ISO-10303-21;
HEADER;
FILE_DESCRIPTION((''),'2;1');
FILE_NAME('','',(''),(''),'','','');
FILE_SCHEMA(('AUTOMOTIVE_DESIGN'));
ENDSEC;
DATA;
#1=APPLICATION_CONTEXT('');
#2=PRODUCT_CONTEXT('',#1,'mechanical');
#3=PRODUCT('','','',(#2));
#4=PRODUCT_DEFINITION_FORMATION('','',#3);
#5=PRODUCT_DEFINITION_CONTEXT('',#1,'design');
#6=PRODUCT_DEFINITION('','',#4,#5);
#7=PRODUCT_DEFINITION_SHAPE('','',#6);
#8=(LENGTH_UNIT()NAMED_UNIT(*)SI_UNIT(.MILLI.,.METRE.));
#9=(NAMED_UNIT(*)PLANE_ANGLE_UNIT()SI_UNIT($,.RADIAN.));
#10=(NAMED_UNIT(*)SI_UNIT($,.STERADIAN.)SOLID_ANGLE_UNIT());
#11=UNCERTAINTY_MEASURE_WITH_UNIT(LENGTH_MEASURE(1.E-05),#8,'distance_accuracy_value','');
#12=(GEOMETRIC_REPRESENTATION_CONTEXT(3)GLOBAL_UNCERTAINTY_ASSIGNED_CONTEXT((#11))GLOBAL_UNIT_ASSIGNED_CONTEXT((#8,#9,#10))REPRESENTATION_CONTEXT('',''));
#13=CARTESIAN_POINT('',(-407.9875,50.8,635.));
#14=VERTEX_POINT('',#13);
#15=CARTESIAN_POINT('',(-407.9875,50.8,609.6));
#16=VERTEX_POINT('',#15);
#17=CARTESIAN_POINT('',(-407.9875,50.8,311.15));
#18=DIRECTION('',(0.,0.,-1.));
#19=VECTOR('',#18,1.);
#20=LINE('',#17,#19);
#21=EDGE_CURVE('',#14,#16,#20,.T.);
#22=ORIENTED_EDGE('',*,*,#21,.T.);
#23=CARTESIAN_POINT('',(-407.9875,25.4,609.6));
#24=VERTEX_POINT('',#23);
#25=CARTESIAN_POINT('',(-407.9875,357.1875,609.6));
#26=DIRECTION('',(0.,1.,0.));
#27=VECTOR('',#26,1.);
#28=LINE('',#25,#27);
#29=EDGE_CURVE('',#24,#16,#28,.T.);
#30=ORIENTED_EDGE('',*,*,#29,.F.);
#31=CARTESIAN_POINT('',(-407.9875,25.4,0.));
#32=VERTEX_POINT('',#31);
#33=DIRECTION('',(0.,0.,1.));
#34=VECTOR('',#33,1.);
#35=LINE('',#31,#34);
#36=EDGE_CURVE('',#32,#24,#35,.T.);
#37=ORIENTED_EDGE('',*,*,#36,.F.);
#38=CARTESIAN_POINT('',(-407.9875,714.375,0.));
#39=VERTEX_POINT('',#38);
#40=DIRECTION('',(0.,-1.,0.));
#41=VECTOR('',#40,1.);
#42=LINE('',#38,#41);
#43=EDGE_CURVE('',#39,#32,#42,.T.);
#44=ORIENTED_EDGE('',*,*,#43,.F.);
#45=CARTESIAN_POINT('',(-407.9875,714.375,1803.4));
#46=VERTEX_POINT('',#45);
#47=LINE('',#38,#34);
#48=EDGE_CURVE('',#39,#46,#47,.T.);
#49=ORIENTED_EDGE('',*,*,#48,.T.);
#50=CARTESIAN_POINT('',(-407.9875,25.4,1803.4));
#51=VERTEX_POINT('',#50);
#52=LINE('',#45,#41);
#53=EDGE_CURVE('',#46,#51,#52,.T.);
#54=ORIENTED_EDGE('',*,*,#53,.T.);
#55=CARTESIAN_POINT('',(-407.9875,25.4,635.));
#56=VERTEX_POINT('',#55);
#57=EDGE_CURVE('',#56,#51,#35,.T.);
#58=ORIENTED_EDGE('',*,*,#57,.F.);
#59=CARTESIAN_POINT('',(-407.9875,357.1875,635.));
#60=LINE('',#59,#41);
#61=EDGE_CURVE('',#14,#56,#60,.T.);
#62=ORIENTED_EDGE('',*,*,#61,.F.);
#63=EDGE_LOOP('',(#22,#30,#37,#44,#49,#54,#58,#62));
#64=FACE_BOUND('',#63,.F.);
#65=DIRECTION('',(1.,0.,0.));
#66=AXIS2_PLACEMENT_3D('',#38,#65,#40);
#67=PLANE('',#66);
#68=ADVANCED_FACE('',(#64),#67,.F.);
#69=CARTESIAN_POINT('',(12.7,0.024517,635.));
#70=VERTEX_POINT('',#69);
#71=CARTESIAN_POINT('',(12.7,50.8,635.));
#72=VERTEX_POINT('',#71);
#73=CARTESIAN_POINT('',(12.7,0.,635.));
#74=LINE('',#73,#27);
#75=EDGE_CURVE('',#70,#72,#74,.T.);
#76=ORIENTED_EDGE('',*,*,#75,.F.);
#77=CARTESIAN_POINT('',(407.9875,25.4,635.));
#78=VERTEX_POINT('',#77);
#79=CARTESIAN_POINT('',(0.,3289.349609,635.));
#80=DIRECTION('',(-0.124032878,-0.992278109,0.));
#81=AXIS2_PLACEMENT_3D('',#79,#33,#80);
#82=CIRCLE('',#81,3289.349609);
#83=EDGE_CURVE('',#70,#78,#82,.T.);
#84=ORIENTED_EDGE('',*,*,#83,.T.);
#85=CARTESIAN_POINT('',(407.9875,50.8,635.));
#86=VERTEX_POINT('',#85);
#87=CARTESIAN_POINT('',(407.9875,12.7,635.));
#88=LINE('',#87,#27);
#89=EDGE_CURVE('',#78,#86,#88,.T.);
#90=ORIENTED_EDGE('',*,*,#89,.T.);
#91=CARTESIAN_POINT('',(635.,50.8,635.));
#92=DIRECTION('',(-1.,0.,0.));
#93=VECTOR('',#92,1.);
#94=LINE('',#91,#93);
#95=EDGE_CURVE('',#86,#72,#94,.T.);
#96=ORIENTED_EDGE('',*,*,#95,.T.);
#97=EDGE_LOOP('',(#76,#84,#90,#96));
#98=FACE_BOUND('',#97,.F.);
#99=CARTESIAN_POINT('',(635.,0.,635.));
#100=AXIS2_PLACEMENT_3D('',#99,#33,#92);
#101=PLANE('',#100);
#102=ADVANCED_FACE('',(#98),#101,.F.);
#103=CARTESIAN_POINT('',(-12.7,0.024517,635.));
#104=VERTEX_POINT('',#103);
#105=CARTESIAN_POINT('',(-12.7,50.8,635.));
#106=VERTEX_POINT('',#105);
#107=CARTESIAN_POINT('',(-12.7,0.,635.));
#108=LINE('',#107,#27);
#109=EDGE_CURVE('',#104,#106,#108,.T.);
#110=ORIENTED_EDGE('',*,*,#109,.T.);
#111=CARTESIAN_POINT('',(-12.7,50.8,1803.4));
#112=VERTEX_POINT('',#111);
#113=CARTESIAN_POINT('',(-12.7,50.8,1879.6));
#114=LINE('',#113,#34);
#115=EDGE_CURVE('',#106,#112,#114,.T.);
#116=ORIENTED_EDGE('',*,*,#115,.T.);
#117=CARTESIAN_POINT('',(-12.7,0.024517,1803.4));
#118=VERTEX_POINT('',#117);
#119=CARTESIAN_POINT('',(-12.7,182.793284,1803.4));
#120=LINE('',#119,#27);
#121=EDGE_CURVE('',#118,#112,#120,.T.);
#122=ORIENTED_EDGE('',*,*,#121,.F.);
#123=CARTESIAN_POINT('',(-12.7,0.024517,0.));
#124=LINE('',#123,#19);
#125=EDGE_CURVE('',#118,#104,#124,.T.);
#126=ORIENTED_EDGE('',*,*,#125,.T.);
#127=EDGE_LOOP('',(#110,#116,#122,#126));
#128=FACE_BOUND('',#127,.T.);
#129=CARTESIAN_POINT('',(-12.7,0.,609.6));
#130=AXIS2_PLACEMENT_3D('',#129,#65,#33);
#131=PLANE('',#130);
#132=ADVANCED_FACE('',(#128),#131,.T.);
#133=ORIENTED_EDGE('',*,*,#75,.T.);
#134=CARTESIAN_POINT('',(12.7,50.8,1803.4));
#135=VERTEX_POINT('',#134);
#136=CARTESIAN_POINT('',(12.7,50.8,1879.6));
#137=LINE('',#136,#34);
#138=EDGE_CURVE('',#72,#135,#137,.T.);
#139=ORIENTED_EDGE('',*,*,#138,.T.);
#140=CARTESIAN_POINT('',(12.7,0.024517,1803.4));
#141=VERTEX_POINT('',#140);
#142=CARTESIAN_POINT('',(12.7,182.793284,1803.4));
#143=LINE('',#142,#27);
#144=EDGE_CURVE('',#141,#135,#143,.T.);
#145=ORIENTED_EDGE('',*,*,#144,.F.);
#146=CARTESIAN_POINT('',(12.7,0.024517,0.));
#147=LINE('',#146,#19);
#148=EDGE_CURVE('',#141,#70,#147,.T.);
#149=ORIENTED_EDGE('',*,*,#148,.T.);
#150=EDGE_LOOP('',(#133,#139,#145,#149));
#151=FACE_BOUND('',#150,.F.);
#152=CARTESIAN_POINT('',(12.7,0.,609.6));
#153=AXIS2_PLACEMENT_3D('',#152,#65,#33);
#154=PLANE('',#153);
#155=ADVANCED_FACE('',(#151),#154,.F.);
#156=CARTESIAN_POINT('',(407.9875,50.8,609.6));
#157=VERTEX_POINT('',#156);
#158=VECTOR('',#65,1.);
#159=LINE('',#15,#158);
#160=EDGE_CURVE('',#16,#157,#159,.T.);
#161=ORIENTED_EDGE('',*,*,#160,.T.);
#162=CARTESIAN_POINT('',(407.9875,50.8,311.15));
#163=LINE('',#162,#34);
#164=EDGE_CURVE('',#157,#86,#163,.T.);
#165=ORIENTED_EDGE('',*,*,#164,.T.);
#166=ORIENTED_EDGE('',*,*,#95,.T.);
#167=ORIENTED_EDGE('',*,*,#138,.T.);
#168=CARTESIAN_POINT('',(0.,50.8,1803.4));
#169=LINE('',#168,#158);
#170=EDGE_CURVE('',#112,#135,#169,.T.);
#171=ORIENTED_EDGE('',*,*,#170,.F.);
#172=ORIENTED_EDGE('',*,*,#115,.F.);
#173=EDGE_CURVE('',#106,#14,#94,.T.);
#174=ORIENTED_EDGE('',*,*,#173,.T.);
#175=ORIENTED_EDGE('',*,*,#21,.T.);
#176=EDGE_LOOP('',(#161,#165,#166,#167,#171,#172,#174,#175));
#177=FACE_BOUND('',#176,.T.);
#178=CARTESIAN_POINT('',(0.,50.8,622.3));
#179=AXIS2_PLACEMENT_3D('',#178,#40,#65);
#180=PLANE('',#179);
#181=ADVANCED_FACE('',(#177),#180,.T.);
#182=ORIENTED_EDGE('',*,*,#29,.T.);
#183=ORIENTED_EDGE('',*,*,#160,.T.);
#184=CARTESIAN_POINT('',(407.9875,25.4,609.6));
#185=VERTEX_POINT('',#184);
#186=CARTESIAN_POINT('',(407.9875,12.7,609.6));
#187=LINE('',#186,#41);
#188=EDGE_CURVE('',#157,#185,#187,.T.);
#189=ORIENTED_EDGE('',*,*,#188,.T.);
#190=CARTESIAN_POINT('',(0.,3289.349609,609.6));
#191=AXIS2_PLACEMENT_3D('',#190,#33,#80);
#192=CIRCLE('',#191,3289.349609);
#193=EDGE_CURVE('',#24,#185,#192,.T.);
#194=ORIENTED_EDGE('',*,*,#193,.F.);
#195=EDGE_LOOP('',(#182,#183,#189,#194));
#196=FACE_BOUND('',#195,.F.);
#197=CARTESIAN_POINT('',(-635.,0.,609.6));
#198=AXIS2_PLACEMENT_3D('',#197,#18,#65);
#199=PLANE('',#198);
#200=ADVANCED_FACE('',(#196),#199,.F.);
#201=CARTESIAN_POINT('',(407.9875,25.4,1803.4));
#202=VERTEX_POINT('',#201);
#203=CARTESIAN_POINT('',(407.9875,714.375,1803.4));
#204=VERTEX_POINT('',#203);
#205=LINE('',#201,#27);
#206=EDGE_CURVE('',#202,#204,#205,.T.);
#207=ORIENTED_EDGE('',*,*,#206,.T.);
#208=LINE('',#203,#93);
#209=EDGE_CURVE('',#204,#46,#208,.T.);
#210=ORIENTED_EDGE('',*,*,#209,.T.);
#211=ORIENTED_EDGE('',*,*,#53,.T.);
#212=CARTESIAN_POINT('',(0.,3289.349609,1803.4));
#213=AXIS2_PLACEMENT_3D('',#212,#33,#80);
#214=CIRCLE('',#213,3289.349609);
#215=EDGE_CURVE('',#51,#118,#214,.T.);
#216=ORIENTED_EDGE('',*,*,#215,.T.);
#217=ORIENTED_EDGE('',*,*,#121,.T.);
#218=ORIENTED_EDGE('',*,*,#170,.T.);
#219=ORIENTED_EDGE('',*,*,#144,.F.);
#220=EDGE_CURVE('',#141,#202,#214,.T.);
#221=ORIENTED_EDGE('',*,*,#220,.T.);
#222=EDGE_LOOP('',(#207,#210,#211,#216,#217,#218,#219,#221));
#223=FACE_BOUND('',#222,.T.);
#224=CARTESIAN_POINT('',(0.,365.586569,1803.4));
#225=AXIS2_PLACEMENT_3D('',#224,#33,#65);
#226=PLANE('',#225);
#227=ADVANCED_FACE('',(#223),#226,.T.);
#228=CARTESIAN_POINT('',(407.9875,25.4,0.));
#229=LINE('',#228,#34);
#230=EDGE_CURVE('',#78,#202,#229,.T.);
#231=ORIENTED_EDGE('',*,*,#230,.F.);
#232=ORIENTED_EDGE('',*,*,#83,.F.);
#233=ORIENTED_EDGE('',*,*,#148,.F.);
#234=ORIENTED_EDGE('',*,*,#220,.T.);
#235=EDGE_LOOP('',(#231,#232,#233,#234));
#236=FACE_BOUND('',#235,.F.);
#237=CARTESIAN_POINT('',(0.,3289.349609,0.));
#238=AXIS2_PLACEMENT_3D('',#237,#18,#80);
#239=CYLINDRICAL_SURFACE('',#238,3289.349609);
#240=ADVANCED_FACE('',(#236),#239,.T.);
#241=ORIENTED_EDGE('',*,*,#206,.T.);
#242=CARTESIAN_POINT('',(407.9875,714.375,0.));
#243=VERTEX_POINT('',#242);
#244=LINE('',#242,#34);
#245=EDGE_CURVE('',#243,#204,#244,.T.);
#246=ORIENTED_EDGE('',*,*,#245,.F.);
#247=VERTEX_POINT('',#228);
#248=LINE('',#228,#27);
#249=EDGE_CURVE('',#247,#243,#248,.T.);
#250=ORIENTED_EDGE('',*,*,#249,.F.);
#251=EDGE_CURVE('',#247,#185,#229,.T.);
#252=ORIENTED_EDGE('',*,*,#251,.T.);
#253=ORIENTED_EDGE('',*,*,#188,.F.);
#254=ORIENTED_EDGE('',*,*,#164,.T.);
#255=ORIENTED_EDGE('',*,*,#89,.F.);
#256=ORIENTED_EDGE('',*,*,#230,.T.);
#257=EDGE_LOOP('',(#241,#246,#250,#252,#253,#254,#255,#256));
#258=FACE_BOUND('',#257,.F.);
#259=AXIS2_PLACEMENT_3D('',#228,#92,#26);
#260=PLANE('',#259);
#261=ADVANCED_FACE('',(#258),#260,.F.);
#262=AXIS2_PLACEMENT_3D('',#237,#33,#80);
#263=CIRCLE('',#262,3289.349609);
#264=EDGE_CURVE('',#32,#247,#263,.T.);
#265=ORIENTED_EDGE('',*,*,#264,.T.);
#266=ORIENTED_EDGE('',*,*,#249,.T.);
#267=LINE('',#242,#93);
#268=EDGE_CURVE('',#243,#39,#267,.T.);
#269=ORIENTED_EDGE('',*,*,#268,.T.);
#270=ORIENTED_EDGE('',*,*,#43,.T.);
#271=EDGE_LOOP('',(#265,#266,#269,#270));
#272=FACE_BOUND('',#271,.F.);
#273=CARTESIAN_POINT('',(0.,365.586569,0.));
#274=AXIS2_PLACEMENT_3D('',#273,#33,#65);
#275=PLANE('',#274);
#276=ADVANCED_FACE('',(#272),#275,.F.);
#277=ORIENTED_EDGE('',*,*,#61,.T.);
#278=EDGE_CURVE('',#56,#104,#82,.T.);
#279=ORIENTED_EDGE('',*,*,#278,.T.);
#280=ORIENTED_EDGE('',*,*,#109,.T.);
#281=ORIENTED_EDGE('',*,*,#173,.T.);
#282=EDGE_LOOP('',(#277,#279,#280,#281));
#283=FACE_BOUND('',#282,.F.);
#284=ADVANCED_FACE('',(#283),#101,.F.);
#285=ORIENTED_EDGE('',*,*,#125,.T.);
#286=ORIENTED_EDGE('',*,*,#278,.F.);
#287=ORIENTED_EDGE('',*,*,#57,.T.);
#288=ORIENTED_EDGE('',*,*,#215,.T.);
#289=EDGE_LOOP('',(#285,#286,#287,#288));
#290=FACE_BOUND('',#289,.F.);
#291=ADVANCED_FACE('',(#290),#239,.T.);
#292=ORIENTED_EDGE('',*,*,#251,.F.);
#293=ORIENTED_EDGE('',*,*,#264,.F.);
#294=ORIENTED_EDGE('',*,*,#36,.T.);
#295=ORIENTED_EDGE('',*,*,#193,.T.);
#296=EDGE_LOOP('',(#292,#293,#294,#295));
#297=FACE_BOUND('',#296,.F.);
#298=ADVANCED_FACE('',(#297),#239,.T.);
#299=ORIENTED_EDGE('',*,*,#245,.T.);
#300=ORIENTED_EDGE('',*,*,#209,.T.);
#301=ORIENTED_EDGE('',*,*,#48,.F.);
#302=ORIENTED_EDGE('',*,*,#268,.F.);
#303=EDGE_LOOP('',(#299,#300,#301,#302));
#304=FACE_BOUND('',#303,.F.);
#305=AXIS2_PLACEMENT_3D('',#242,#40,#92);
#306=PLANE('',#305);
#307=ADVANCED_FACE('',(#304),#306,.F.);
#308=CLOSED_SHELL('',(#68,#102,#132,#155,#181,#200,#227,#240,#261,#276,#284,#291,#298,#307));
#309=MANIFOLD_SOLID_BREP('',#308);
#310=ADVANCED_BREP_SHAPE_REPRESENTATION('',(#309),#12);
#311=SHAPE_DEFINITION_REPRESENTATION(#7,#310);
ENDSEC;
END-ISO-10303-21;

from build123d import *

# Parameters (mm, degrees)
F1_DEPTH = 1803.4
F4_DEPTH = 50.8
F3_W     = 25.4
F3_H     = 2540
F5_DEPTH = 50.8


with BuildPart() as f1:
    # F0 (on Top) → F1 (new body)
    with BuildSketch(Plane.XY):
        with BuildLine():
            Line((407.9875, 714.375), (-407.9875, 714.375))
            Line((-407.9875, 714.375), (-407.9875, 25.4))
            ThreePointArc((-407.9875, 25.4), (0, 0), (407.9875, 25.4))
            Line((407.9875, 25.4), (407.9875, 714.375))
        make_face()
    extrude(amount=F1_DEPTH)

    # F2 (on Front) → F4 (cut)
    with BuildSketch(Plane.XZ):
        Polygon((-635, 635), (-635, 609.6), (0, 609.6), (635, 609.6), (635, 635), align=None)
    extrude(amount=-F4_DEPTH, mode=Mode.SUBTRACT)

    # F3 (on Front) → F5 (cut)
    with BuildSketch(Plane.XZ):
        with Locations((0, 1879.6)):
            Rectangle(F3_W, F3_H)
    extrude(amount=-F5_DEPTH, mode=Mode.SUBTRACT)


solid = f1.part
